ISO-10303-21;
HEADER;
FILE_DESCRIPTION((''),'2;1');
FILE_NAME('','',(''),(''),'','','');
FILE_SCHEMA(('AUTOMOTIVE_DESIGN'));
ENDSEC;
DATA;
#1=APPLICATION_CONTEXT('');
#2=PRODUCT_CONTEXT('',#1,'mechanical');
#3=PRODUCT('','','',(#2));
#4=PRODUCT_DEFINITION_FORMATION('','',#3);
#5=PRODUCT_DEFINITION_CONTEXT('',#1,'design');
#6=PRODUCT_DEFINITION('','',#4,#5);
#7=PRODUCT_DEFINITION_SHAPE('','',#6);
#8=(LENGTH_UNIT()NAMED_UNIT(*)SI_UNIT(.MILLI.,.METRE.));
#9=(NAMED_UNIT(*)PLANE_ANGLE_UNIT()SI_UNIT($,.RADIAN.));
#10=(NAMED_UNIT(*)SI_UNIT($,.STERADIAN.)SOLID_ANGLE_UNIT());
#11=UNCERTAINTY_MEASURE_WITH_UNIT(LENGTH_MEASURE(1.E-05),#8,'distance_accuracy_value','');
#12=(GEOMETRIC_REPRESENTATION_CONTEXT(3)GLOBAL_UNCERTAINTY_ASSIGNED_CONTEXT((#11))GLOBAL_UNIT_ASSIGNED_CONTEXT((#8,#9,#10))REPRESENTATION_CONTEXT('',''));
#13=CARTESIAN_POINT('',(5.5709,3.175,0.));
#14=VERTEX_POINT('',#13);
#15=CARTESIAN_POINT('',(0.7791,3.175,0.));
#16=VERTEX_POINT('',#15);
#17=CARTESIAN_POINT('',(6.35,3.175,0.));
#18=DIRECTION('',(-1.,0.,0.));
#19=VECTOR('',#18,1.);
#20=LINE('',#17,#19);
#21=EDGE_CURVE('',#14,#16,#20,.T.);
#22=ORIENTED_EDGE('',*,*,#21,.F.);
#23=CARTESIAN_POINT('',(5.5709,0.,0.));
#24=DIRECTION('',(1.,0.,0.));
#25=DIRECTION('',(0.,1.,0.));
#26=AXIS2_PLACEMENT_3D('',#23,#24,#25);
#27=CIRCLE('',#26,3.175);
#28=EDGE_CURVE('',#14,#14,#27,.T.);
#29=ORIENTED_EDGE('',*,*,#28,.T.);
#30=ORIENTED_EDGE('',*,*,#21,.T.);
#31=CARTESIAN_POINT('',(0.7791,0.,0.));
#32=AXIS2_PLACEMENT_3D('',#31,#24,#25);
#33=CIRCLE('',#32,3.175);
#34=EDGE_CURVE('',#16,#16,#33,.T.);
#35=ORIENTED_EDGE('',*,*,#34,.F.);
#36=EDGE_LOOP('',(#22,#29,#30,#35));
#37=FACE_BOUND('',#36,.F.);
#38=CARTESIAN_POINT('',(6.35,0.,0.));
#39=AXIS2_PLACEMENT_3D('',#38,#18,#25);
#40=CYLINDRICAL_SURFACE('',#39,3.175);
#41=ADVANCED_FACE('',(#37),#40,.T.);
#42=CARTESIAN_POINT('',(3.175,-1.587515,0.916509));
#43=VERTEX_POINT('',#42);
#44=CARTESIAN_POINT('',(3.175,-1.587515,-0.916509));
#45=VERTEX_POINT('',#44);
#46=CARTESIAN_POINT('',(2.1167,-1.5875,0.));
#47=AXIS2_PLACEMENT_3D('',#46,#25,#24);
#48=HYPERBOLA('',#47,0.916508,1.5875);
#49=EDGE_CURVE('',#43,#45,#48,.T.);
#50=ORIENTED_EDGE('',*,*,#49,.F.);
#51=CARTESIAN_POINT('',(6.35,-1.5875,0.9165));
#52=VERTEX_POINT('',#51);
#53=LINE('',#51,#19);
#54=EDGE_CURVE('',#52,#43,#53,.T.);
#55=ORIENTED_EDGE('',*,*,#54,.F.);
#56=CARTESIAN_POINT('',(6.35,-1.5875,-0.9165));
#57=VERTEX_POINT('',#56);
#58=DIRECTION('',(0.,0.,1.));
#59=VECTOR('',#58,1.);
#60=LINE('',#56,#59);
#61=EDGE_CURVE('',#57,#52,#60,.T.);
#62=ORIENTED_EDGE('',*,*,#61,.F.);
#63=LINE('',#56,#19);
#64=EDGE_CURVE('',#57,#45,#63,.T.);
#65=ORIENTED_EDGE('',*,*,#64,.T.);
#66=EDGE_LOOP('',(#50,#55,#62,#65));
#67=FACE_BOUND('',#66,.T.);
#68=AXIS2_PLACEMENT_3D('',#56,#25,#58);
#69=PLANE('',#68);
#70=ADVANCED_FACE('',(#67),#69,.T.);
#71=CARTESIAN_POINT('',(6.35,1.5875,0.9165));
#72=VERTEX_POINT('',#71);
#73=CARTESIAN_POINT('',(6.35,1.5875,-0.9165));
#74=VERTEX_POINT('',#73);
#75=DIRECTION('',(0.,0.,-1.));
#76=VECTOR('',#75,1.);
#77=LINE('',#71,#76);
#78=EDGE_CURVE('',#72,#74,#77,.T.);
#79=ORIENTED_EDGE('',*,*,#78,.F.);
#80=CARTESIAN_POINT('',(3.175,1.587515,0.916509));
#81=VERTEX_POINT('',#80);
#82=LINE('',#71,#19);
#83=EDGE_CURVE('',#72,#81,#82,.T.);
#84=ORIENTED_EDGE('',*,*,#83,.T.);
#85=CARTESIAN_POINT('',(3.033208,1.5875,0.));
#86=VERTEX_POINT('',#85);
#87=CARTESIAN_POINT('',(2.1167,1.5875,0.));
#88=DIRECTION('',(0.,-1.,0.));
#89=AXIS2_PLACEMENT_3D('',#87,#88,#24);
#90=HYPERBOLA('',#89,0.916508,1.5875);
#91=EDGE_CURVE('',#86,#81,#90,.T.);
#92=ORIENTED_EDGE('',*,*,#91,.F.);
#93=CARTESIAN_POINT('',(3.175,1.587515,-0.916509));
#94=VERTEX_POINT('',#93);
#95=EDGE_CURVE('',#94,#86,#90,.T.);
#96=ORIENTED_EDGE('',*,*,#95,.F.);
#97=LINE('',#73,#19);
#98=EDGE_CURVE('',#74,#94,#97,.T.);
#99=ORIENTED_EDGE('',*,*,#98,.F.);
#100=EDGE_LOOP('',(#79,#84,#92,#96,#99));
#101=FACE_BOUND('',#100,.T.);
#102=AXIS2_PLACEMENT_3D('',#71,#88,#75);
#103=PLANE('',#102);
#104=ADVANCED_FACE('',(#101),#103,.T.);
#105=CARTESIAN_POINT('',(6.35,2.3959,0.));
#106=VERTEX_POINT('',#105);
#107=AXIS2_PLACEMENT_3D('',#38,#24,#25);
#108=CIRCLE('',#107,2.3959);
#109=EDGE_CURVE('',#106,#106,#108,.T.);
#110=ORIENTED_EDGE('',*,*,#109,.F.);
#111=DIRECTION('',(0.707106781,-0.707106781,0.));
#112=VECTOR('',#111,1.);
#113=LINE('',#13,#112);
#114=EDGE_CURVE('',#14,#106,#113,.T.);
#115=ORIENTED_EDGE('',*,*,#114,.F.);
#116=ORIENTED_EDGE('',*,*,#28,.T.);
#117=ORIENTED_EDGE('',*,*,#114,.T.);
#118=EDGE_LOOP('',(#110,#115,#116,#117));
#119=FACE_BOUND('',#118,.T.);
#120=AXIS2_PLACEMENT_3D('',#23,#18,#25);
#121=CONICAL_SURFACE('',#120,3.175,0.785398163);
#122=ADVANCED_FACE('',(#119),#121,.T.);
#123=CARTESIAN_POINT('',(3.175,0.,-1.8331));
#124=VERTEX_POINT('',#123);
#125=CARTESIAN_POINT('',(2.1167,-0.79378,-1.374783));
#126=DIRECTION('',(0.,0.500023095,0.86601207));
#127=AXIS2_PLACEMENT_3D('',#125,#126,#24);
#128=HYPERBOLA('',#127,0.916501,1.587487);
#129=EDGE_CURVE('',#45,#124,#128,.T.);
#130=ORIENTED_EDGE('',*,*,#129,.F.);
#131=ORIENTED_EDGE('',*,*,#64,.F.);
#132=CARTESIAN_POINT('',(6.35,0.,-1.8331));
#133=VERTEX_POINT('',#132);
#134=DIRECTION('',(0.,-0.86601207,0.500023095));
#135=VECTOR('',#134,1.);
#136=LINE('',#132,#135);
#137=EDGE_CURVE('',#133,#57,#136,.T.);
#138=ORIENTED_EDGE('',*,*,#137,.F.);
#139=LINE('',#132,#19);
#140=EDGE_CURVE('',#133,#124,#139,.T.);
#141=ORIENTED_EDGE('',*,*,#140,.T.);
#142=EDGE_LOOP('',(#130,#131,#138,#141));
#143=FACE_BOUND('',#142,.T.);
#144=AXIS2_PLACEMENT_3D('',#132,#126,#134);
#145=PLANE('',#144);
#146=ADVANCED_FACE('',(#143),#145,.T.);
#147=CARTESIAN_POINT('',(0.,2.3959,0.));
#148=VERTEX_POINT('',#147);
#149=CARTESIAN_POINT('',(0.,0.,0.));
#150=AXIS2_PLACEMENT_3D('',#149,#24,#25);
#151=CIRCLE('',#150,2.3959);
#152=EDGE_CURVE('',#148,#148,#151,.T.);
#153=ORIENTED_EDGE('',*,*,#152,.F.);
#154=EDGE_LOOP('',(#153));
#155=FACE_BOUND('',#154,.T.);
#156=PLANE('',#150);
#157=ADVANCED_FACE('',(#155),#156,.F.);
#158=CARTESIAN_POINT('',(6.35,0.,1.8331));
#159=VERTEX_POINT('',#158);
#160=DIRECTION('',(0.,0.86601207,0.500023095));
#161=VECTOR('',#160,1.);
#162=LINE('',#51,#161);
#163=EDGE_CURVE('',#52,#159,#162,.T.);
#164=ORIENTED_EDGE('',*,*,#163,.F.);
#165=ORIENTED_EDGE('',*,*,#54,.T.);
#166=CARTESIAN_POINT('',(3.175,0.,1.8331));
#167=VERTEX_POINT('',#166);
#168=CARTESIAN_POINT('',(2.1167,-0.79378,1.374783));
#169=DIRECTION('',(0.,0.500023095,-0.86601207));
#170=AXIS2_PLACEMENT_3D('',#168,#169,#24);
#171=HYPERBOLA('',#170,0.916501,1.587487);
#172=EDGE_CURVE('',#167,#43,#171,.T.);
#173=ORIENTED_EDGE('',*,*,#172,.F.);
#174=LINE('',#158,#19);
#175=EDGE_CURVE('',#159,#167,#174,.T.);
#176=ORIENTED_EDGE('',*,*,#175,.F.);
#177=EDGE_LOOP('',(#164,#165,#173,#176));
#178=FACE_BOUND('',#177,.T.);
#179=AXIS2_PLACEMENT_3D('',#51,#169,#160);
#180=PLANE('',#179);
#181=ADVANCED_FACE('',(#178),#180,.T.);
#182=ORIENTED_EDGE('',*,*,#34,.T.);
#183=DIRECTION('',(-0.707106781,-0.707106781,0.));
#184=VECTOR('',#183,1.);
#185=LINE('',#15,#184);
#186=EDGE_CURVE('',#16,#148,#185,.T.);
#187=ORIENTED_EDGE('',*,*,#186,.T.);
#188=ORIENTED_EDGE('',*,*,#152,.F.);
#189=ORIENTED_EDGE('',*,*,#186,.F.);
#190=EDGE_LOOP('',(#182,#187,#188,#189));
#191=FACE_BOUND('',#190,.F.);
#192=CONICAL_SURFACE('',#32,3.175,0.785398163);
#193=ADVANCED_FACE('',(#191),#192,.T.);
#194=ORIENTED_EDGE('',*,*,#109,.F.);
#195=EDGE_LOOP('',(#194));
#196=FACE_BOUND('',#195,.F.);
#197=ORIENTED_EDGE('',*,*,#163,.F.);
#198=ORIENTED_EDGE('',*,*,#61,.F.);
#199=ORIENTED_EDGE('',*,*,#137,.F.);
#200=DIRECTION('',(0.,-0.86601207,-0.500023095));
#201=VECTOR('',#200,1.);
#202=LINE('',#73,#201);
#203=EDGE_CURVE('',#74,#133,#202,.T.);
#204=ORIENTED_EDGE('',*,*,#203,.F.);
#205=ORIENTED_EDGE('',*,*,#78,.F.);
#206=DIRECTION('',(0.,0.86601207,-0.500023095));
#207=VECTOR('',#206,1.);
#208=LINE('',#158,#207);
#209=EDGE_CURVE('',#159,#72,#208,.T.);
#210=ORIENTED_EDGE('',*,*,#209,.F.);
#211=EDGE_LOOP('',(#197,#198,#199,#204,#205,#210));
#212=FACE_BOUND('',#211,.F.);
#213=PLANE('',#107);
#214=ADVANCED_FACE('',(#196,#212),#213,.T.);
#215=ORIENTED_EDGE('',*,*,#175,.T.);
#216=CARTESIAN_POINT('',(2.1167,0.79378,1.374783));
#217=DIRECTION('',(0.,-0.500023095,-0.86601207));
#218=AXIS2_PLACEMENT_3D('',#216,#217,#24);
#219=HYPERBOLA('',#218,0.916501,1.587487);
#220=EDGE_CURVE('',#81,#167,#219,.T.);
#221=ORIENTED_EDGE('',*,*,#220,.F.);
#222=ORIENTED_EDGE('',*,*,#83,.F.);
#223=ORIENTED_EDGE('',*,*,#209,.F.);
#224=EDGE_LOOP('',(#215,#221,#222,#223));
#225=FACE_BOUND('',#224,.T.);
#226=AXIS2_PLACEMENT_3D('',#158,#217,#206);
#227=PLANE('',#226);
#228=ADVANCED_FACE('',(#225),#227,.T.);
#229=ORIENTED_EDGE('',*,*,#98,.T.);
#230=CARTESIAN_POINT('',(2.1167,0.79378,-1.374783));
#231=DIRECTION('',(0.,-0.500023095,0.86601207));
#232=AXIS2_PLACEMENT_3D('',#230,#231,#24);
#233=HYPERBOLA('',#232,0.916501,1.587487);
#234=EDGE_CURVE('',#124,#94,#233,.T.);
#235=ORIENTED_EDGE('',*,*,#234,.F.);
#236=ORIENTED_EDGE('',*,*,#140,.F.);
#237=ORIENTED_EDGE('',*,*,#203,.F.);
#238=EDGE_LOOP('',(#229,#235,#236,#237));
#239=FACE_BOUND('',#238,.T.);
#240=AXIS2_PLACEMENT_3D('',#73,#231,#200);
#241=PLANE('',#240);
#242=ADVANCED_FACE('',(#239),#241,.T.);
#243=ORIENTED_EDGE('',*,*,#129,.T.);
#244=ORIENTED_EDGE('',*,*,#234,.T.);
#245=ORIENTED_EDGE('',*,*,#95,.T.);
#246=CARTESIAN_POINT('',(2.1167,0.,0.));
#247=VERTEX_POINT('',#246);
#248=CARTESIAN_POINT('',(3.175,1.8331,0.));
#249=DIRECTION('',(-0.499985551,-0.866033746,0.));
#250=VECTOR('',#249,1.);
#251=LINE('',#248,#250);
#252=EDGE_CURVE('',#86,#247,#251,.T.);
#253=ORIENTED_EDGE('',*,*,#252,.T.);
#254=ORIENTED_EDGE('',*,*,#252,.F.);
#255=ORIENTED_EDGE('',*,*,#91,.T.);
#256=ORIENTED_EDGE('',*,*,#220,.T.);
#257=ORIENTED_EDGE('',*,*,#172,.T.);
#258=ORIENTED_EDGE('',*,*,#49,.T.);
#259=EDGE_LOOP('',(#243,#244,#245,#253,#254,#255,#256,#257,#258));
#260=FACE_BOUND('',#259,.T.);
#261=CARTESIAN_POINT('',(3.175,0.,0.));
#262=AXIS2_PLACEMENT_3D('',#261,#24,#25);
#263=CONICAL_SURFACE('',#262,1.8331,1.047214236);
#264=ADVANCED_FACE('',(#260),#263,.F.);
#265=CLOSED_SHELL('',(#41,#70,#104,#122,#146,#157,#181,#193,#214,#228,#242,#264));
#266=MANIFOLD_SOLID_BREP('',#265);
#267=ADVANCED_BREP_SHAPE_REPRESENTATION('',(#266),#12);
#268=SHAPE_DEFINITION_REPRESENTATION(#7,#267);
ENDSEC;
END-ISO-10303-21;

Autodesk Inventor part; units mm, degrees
ref_plane "YZ Plane" through (0, 0, 0) normal (1, 0, 0) x (0, 1, 0)
ref_plane "XZ Plane" through (0, 0, 0) normal (0, 1, 0) x (-1, 0, 0)
sketch "Sketch1" plane through (0, 0, 0) normal (0, 0, 1) x (1, 0, 0)
  line L0 (0, 0) -> (2.1167, 0)
  line L1 (6.35, 1.8331) -> (6.35, 3.175)
  line L2 (6.35, 3.175) -> (0, 3.175)
  line L3 (6.35, 1.8331) -> (3.175, 1.8331)
  line L4 (3.175, 1.8331) -> (2.1167, 0)
  line L5 (0, -0.635) -> (0, 3.81) projected
  line L6 (0, 3.175) -> (0, 0)
  dimension "d0" = 3.175
  dimension "d1" = 60
  dimension "d2" = 6.35
  dimension "d3" = 3.6662
  dimension "d5" = 6.35
revolve "Body" add sketch "Sketch1" angle 360 about axis through (0, 0, 0) along (1, 0, 0)
chamfer "Chamfer1" distance 0.7791 angle 45 1 edges at (6.35, -3.175, 0) measured on face at (6.35, 2.6792, -0.3995)
sketch "Sketch2" plane through (6.35, 0, 0) normal (1, 0, 0) x (0, 0, -1)
  circle A0 centre (0, 0) radius 1.8331 projected
  line L0 (-0.9165, 1.5875) -> (0.9165, 1.5875)
  line L1 (0.9165, 1.5875) -> (1.8331, 0)
  line L2 (1.8331, 0) -> (0.9165, -1.5875)
  line L3 (0.9165, -1.5875) -> (-0.9165, -1.5875)
  line L4 (-0.9165, -1.5875) -> (-1.8331, 0)
  line L5 (-1.8331, 0) -> (-0.9165, 1.5875)
extrude "Slot" add sketch "Sketch2" against normal up to next contours L1 A0 | A0 L2 | L0 A0 | A0 L3 | L5 A0 | A0 L4
thread "Thread" size "1/4-20 UNC" class "2A" standard "ANSI Unified Screw Threads" length 6.35
chamfer "Chamfer2" distance 0.7791 angle 45 1 edges at (0, -3.175, 0) measured on face at (3.714, 3.1339, -0.5093)
ref_plane "Work Plane1" through (3.175, 0, 0) normal (0, 0.5, 0.866) x (1, 0, 0)
equation "\"d0\" = INTI"
equation "\"d2\" = NND"
equation "\"d3\" = 1.1547 * SW"
equation "\"d5\" = NLG"
equation "\"d7\" = -0.5 * GD1 + 0.5 * NND"
equation "\"d8\" = FAWI"
equation "\"d29\" = -0.5 * GD1 + 0.5 * NND"
equation "\"d11\" = NLG"
equation "\"d13\" = -0.5 * GD1 + 0.5 * NND"
equation "\"d14\" = FAWI"
equation "\"d30\" = -0.5 * GD1 + 0.5 * NND"
equation "\"NND\" = 6.35"
equation "\"NLG\" = 6.35"
equation "\"INTI\" = 3.175"
equation "\"FAWI\" = 45deg"
equation "\"SW\" = 3.175"
equation "\"GD1\" = 4.79188"
equation "\"FAWI1\" = 44.999991deg"
equation "\"SPD\" = 3.3528"
equation "\"SEWI\" = 90deg"
equation "\"TOA\" = 30deg"
equation "\"ZLG\" = 1.7018"
equation "\"ZD\" = 3.9624"
equation "\"HHPTC\" = 1.27"
equation "\"THREADDIA\" = 6.35"
equation "\"OPR\" = 4.7752"
equation "\"E0\" = 1.155 * SW"
properties part number "ANSI B18.3 - 1/4-20 UNC x 0.25" material "Steel, Alloy"
